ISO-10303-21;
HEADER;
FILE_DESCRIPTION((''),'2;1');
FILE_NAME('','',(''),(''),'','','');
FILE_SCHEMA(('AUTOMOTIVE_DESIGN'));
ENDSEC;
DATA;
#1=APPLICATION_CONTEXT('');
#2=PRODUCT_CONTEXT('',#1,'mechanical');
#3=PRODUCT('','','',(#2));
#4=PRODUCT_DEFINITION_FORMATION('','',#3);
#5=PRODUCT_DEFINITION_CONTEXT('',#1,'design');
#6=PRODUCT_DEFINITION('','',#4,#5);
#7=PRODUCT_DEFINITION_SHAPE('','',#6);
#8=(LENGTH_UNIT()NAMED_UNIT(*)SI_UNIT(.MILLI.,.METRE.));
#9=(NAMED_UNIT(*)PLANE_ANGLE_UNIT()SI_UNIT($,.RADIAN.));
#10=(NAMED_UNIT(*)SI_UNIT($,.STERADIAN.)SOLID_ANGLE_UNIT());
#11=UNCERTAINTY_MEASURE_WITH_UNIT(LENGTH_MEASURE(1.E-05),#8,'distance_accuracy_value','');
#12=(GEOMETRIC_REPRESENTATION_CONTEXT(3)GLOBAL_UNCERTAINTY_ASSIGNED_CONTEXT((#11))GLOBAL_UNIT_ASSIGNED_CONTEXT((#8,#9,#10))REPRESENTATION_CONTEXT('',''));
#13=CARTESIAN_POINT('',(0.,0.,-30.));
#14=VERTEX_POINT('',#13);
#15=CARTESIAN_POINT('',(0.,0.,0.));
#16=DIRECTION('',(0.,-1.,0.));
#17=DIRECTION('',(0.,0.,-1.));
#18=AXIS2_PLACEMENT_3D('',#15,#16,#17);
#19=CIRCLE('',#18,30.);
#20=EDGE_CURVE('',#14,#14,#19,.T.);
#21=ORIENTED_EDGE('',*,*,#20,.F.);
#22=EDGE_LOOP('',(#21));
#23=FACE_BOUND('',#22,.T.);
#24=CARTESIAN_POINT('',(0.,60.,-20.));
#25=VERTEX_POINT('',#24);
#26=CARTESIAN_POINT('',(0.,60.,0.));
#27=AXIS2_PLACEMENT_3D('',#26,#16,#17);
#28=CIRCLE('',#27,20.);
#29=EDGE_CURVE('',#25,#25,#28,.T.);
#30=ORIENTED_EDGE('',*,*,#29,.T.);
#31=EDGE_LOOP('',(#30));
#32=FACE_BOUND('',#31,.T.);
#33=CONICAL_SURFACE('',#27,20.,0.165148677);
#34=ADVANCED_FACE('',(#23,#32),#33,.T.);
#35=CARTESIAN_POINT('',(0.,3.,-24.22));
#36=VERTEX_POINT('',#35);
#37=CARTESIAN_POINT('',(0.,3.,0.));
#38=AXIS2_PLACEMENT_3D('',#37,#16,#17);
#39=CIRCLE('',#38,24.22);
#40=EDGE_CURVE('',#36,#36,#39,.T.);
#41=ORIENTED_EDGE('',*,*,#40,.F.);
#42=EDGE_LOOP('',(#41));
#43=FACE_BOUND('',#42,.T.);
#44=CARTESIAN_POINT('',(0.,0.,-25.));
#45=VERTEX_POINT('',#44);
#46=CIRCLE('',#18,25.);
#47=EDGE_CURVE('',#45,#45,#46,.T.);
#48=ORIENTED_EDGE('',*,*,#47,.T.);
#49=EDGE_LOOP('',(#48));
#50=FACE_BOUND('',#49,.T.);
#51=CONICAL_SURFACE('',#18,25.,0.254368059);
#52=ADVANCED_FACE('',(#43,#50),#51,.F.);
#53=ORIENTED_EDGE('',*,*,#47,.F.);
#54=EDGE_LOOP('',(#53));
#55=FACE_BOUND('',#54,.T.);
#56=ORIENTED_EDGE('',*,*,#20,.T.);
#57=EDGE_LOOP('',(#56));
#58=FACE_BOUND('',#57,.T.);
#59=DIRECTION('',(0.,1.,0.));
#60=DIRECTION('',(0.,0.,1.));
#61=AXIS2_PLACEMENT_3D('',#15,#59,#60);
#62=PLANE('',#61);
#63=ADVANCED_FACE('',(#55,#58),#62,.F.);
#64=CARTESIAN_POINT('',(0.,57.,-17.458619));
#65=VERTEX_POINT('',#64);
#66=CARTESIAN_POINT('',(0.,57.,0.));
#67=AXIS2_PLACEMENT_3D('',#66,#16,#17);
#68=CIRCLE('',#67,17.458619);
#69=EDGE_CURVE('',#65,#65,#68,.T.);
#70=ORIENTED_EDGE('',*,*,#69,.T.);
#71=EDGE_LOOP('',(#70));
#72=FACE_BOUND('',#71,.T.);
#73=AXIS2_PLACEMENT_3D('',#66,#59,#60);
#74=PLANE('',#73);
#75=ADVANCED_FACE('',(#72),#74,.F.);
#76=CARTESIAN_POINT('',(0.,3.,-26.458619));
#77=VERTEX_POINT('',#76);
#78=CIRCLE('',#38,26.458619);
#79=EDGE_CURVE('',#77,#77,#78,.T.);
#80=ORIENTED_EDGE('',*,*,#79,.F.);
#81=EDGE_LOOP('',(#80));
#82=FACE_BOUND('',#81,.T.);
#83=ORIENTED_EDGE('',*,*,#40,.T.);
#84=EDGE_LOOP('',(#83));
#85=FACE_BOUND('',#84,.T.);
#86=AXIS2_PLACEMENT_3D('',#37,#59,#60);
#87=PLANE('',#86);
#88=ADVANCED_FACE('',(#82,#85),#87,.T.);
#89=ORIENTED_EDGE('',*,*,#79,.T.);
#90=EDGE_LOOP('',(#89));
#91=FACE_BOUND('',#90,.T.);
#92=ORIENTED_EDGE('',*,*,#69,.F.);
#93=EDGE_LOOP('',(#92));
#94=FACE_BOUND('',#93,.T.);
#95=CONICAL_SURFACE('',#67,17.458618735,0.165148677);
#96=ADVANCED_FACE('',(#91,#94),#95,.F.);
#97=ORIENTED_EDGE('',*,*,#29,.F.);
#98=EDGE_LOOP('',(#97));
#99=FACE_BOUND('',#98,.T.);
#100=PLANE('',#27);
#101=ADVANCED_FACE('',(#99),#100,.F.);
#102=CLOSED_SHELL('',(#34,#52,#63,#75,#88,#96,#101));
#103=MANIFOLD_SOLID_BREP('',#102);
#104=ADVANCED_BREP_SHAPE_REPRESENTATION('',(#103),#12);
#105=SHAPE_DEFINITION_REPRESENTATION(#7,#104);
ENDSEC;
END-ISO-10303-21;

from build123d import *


with BuildPart() as part:
    # 草图1 → 旋转1 (revolve)
    with BuildSketch(Plane.XY, mode=Mode.PRIVATE) as revolve_1_sk:
        Polygon((0, 60), (0, 57), (3, 57), (17.458618735, 57), (26.458618735, 3), (24.22, 3), (25, 0), (30, 0), (20, 60), align=None)
    revolve(revolve_1_sk.sketch.rotate(Axis((0, 0, 0), (0, 1, 0)), 90), axis=Axis((0, 0, 0), (0, 1, 0)))


solid = part.part
